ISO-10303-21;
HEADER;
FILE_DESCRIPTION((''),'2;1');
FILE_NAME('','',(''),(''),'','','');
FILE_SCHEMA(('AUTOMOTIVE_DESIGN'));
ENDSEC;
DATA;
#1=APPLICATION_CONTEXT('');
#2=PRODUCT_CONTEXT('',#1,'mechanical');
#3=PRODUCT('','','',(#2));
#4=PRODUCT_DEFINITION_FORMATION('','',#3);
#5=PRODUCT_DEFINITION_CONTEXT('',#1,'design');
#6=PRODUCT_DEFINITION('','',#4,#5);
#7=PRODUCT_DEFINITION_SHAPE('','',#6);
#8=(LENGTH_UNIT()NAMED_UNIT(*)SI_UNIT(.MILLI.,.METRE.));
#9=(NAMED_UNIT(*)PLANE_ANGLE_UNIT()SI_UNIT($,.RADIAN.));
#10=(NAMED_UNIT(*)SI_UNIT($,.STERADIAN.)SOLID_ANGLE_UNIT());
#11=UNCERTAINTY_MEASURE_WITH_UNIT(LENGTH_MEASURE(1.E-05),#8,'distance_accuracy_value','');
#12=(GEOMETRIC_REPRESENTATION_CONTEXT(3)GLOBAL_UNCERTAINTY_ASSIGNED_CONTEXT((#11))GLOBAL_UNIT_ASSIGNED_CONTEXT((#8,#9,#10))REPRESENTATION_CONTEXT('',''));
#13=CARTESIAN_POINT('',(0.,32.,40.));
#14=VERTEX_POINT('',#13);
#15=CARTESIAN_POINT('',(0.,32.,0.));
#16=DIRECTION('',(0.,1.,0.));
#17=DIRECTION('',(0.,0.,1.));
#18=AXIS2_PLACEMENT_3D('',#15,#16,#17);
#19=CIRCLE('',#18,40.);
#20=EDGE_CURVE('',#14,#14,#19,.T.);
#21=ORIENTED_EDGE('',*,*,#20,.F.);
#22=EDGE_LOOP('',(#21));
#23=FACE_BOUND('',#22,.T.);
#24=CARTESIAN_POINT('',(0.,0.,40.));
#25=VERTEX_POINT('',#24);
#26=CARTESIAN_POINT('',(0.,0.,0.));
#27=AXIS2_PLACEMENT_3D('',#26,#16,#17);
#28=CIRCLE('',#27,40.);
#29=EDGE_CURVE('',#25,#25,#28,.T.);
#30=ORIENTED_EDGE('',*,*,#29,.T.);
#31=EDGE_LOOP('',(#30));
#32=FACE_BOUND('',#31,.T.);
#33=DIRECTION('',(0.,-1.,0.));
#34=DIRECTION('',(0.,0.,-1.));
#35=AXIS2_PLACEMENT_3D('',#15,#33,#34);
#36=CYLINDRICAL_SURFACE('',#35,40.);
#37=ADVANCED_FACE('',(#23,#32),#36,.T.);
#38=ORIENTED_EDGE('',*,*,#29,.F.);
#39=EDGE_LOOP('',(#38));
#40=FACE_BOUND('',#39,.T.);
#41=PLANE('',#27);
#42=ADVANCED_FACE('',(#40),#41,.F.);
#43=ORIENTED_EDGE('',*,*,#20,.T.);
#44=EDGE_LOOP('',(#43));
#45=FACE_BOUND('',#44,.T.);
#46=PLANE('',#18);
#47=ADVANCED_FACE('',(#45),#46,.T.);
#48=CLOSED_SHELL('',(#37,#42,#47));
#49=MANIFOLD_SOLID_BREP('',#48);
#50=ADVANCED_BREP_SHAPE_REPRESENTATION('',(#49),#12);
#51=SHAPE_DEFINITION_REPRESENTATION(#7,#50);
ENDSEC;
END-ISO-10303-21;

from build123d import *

# Parameters (mm, degrees)
SKETCH_1_R      = 40
EXTRUDE_1_DEPTH = 32


with BuildPart() as part:
    # 草图1 → 凸台-拉伸1 (new body)
    with BuildSketch(Plane(origin=(0, 0, 0), x_dir=(1, 0, 0), z_dir=(0, 1, 0))):
        with Locations(Location((0, 0, 0), (0, 0, 270))):
            Circle(SKETCH_1_R)
    extrude(amount=EXTRUDE_1_DEPTH)


solid = part.part
